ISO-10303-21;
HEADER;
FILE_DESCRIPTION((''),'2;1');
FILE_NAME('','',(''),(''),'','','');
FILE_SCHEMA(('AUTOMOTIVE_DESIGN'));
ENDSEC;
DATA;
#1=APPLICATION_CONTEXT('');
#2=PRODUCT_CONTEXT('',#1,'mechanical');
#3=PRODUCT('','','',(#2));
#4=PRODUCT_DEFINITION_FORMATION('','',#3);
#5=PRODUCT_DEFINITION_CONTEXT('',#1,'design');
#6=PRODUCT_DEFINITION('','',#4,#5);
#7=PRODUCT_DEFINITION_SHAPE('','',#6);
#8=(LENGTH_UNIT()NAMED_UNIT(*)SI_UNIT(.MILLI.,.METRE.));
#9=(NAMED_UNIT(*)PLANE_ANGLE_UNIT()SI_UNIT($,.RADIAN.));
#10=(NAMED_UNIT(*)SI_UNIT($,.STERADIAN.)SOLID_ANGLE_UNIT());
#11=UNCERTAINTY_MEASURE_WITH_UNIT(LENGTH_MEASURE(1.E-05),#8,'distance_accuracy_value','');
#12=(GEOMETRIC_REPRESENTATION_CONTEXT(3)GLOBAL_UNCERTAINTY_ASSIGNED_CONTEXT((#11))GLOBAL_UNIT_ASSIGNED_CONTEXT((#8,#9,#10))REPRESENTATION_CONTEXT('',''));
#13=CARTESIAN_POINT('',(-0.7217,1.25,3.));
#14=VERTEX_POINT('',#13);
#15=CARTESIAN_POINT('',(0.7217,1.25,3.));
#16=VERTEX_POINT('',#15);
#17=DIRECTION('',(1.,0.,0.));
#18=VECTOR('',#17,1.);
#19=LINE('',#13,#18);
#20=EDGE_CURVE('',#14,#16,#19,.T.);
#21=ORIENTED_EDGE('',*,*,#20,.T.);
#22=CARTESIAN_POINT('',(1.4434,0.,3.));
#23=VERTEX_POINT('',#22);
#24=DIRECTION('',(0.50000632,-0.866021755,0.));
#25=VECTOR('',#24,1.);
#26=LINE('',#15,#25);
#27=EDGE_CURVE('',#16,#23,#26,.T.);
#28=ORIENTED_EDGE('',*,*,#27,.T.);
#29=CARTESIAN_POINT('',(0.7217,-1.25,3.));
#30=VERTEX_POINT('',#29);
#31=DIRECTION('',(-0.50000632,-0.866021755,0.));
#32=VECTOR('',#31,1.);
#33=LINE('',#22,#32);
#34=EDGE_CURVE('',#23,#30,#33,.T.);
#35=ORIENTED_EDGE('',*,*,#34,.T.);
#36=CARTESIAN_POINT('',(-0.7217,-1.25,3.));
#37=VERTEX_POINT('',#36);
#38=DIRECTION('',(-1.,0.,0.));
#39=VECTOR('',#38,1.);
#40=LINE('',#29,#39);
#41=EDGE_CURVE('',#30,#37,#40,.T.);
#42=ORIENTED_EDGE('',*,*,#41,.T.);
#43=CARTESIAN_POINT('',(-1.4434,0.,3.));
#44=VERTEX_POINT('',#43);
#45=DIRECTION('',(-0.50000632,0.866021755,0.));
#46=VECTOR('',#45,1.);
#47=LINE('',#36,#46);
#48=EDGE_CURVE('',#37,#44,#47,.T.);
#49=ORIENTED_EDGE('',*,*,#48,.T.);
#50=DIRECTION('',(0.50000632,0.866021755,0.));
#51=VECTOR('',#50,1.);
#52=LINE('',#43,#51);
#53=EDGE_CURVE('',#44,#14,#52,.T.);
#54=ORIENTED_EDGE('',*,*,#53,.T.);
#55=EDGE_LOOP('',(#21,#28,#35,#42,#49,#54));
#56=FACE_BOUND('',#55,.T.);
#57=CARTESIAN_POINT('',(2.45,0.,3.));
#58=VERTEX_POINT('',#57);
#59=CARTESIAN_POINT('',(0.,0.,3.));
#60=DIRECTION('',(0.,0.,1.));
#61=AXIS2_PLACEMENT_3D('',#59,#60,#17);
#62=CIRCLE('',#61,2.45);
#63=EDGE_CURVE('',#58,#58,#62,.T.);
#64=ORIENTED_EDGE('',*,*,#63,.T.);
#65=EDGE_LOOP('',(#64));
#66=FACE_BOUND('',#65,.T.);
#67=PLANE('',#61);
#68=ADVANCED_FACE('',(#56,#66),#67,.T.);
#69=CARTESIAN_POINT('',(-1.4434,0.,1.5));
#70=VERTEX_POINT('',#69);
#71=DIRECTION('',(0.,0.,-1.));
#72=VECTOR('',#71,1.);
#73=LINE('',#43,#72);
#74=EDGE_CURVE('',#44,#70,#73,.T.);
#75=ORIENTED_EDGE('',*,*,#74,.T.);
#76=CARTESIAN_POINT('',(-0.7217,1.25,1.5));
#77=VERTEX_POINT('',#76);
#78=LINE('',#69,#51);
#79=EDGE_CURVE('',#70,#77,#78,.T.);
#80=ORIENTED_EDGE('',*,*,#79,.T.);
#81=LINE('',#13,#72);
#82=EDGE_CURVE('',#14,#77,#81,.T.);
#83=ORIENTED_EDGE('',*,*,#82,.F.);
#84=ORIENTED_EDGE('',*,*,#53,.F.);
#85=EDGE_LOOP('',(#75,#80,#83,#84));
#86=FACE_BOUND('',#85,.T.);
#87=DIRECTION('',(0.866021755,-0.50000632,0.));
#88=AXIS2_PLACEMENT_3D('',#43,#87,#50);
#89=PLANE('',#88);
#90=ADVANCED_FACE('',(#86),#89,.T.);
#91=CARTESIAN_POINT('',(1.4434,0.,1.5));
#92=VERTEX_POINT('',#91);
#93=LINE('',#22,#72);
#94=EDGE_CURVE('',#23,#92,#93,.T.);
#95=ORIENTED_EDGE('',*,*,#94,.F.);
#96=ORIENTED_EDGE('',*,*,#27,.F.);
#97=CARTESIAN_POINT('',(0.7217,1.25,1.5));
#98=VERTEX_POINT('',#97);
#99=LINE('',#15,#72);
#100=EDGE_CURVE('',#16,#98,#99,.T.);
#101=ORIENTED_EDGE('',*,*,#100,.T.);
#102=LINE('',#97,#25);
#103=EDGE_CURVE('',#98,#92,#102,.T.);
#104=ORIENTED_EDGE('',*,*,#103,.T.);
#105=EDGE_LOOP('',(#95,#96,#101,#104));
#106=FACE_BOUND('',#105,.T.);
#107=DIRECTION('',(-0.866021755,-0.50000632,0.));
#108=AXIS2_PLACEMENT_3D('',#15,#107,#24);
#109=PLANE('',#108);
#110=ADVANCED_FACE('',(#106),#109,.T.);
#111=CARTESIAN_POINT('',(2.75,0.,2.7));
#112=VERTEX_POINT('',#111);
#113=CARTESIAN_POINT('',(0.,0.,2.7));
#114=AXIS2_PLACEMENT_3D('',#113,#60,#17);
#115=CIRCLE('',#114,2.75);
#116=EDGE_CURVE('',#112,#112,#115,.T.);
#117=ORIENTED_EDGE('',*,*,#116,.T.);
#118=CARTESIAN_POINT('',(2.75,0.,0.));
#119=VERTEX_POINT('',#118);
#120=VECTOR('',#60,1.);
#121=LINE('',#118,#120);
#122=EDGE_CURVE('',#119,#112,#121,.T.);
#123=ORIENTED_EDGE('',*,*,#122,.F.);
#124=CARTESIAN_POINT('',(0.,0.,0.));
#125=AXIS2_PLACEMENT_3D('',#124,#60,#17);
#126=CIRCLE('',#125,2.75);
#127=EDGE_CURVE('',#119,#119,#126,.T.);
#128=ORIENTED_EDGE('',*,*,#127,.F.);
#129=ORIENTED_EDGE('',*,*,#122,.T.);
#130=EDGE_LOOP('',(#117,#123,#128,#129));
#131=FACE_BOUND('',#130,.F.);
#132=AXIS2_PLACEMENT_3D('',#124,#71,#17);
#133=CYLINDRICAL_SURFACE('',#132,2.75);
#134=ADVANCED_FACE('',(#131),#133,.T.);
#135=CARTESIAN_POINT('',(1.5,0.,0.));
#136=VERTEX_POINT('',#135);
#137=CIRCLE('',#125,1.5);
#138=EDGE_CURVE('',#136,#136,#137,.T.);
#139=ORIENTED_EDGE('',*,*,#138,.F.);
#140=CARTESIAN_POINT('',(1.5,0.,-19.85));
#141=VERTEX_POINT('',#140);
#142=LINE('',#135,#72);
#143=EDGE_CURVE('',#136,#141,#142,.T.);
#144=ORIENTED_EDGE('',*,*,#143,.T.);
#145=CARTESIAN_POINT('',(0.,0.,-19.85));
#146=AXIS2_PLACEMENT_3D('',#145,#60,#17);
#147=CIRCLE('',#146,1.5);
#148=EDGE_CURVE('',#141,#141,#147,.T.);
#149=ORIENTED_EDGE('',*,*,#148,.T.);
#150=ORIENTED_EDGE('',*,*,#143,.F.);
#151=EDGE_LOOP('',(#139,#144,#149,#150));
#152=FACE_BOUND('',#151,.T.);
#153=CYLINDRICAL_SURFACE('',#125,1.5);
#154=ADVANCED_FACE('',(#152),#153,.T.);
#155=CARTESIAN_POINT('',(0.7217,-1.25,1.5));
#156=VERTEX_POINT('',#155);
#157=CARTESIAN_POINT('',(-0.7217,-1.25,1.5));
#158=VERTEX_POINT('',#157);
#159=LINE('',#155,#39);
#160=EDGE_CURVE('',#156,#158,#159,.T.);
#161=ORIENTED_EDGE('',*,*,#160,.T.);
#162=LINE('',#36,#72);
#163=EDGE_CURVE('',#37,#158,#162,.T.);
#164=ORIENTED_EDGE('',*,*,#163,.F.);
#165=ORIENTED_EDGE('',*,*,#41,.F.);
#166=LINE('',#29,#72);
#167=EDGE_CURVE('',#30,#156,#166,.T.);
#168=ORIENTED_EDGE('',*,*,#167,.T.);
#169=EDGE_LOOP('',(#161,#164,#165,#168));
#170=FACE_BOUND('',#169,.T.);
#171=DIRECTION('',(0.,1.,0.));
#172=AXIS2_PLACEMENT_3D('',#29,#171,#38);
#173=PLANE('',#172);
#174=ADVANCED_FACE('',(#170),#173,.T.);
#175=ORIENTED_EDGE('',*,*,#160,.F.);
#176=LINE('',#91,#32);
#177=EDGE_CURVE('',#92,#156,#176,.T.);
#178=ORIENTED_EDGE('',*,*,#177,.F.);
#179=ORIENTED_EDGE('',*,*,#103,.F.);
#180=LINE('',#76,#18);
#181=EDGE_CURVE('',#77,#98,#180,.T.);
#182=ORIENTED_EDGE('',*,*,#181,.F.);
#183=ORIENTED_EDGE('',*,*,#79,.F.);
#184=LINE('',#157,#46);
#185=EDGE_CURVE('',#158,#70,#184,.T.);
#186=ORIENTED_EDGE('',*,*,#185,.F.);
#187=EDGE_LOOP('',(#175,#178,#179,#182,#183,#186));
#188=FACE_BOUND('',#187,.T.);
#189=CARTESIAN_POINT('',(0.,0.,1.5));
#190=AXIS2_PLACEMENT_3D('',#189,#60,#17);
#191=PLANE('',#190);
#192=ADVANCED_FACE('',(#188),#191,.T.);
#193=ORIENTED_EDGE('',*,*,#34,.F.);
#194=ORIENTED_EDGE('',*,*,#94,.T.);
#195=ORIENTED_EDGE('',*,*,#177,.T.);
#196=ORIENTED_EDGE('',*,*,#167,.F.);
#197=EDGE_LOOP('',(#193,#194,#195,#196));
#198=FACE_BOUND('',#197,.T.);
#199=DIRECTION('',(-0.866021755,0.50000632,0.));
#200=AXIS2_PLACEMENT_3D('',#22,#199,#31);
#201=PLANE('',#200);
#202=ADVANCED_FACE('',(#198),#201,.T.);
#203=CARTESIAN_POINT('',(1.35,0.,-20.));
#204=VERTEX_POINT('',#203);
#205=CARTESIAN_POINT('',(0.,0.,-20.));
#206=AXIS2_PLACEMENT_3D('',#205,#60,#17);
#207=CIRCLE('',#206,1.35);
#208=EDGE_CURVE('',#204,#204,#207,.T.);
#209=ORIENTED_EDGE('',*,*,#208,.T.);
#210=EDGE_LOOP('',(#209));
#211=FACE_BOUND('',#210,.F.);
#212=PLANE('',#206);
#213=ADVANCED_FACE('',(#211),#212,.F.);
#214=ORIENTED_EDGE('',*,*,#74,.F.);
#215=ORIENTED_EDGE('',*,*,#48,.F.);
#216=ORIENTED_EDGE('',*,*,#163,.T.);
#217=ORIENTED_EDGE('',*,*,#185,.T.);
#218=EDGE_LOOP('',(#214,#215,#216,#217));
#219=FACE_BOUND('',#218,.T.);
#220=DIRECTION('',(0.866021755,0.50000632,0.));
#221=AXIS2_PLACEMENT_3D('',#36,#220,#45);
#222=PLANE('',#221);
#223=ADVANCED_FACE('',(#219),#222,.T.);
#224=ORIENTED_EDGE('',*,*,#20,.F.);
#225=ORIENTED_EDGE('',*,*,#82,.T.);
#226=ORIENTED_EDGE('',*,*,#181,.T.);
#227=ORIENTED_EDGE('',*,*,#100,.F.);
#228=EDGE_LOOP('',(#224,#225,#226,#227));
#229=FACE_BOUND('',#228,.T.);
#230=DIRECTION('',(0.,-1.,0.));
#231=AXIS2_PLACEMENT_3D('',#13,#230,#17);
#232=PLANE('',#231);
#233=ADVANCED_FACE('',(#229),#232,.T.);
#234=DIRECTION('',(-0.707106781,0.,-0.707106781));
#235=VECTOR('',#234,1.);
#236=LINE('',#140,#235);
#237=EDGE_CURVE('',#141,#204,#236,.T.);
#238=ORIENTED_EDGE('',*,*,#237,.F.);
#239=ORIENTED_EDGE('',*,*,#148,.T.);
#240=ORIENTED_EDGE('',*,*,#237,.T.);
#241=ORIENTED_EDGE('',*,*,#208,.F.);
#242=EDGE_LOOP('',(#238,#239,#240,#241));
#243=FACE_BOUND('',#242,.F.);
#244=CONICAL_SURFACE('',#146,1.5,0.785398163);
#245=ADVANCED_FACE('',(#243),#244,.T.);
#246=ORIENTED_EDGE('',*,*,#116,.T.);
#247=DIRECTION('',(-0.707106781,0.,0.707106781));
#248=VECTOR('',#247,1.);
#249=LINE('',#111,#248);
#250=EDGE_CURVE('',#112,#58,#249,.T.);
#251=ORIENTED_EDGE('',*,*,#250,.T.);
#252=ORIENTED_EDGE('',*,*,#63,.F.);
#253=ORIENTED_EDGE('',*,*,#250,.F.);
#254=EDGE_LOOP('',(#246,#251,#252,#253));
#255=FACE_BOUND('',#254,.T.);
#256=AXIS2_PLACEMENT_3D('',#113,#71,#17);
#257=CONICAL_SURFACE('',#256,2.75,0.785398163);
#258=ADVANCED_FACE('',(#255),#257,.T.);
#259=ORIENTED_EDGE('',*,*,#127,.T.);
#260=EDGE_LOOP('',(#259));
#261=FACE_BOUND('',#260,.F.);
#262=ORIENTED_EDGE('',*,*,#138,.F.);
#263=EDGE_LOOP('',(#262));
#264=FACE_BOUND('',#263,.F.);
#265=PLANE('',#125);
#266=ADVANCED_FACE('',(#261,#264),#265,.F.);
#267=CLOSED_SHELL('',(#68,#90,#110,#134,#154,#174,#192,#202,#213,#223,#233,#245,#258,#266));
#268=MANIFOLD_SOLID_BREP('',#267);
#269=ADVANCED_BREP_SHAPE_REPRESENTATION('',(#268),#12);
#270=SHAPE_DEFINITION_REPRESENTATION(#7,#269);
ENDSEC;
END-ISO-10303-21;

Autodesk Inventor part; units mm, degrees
ref_plane "YZ Plane" through (0, 0, 0) normal (1, 0, 0) x (0, 1, 0)
ref_plane "XZ Plane" through (0, 0, 0) normal (0, 1, 0) x (-1, 0, 0)
ref_plane "XY Plane" through (0, 0, 0) normal (0, 0, 1) x (1, 0, 0)
sketch "Sketch3" plane through (0, 0, 0) normal (0, 0, 1) x (1, 0, 0)
  circle A0 centre (0, 0) radius 1.5
  dimension "Diameter" = 3
extrude "Extrusion1" add sketch "Sketch3" against normal blind 20
sketch "Sketch4" plane through (0, 0, 0) normal (0, 0, 1) x (1, 0, 0)
  circle A0 centre (0, 0) radius 1.5 projected
  circle A1 centre (0, 0) radius 2.75
  dimension "Head_Diameter" = 5.5
extrude "Extrusion2" add sketch "Sketch4" along normal blind 3 contours A0 | A1
sketch "Sketch5" plane through (0, 0, 3) normal (0, 0, 1) x (1, 0, 0)
  circle A0 centre (0, 0) radius 2.75 projected
  line L0 (1.4434, 0) -> (0.7217, -1.25)
  line L1 (0.7217, -1.25) -> (-0.7217, -1.25)
  line L2 (-0.7217, -1.25) -> (-1.4434, 0)
  line L3 (-1.4434, 0) -> (-0.7217, 1.25)
  line L4 (-0.7217, 1.25) -> (0.7217, 1.25)
  line L5 (0.7217, 1.25) -> (1.4434, 0)
  line L6 (0, 0) -> (1.4434, 0) construction
  dimension "Hex_Width" = 2.5
extrude "Extrusion3" cut sketch "Sketch5" against normal blind 1.5 contours L0 L1 L2 L3 L4 L5
thread "Thread1" size "M3x0.5" class "4g6g" standard "ANSI Metric M Profile" length 20
chamfer "Chamfer1" distance 0.3 angle 45 1 edges at (-2.75, 0, 3)
chamfer "Chamfer2" distance 0.15 angle 45 1 edges at (-1.5, 0, -20)
equation "\"d14\" = 0.5 * Chamfer"
equation "\"Chamfer\" = 0.3"
properties part number "SCREW,SOCKET-HD,P,12_9,M03X0_5X20MM" material "Steel, MS"
